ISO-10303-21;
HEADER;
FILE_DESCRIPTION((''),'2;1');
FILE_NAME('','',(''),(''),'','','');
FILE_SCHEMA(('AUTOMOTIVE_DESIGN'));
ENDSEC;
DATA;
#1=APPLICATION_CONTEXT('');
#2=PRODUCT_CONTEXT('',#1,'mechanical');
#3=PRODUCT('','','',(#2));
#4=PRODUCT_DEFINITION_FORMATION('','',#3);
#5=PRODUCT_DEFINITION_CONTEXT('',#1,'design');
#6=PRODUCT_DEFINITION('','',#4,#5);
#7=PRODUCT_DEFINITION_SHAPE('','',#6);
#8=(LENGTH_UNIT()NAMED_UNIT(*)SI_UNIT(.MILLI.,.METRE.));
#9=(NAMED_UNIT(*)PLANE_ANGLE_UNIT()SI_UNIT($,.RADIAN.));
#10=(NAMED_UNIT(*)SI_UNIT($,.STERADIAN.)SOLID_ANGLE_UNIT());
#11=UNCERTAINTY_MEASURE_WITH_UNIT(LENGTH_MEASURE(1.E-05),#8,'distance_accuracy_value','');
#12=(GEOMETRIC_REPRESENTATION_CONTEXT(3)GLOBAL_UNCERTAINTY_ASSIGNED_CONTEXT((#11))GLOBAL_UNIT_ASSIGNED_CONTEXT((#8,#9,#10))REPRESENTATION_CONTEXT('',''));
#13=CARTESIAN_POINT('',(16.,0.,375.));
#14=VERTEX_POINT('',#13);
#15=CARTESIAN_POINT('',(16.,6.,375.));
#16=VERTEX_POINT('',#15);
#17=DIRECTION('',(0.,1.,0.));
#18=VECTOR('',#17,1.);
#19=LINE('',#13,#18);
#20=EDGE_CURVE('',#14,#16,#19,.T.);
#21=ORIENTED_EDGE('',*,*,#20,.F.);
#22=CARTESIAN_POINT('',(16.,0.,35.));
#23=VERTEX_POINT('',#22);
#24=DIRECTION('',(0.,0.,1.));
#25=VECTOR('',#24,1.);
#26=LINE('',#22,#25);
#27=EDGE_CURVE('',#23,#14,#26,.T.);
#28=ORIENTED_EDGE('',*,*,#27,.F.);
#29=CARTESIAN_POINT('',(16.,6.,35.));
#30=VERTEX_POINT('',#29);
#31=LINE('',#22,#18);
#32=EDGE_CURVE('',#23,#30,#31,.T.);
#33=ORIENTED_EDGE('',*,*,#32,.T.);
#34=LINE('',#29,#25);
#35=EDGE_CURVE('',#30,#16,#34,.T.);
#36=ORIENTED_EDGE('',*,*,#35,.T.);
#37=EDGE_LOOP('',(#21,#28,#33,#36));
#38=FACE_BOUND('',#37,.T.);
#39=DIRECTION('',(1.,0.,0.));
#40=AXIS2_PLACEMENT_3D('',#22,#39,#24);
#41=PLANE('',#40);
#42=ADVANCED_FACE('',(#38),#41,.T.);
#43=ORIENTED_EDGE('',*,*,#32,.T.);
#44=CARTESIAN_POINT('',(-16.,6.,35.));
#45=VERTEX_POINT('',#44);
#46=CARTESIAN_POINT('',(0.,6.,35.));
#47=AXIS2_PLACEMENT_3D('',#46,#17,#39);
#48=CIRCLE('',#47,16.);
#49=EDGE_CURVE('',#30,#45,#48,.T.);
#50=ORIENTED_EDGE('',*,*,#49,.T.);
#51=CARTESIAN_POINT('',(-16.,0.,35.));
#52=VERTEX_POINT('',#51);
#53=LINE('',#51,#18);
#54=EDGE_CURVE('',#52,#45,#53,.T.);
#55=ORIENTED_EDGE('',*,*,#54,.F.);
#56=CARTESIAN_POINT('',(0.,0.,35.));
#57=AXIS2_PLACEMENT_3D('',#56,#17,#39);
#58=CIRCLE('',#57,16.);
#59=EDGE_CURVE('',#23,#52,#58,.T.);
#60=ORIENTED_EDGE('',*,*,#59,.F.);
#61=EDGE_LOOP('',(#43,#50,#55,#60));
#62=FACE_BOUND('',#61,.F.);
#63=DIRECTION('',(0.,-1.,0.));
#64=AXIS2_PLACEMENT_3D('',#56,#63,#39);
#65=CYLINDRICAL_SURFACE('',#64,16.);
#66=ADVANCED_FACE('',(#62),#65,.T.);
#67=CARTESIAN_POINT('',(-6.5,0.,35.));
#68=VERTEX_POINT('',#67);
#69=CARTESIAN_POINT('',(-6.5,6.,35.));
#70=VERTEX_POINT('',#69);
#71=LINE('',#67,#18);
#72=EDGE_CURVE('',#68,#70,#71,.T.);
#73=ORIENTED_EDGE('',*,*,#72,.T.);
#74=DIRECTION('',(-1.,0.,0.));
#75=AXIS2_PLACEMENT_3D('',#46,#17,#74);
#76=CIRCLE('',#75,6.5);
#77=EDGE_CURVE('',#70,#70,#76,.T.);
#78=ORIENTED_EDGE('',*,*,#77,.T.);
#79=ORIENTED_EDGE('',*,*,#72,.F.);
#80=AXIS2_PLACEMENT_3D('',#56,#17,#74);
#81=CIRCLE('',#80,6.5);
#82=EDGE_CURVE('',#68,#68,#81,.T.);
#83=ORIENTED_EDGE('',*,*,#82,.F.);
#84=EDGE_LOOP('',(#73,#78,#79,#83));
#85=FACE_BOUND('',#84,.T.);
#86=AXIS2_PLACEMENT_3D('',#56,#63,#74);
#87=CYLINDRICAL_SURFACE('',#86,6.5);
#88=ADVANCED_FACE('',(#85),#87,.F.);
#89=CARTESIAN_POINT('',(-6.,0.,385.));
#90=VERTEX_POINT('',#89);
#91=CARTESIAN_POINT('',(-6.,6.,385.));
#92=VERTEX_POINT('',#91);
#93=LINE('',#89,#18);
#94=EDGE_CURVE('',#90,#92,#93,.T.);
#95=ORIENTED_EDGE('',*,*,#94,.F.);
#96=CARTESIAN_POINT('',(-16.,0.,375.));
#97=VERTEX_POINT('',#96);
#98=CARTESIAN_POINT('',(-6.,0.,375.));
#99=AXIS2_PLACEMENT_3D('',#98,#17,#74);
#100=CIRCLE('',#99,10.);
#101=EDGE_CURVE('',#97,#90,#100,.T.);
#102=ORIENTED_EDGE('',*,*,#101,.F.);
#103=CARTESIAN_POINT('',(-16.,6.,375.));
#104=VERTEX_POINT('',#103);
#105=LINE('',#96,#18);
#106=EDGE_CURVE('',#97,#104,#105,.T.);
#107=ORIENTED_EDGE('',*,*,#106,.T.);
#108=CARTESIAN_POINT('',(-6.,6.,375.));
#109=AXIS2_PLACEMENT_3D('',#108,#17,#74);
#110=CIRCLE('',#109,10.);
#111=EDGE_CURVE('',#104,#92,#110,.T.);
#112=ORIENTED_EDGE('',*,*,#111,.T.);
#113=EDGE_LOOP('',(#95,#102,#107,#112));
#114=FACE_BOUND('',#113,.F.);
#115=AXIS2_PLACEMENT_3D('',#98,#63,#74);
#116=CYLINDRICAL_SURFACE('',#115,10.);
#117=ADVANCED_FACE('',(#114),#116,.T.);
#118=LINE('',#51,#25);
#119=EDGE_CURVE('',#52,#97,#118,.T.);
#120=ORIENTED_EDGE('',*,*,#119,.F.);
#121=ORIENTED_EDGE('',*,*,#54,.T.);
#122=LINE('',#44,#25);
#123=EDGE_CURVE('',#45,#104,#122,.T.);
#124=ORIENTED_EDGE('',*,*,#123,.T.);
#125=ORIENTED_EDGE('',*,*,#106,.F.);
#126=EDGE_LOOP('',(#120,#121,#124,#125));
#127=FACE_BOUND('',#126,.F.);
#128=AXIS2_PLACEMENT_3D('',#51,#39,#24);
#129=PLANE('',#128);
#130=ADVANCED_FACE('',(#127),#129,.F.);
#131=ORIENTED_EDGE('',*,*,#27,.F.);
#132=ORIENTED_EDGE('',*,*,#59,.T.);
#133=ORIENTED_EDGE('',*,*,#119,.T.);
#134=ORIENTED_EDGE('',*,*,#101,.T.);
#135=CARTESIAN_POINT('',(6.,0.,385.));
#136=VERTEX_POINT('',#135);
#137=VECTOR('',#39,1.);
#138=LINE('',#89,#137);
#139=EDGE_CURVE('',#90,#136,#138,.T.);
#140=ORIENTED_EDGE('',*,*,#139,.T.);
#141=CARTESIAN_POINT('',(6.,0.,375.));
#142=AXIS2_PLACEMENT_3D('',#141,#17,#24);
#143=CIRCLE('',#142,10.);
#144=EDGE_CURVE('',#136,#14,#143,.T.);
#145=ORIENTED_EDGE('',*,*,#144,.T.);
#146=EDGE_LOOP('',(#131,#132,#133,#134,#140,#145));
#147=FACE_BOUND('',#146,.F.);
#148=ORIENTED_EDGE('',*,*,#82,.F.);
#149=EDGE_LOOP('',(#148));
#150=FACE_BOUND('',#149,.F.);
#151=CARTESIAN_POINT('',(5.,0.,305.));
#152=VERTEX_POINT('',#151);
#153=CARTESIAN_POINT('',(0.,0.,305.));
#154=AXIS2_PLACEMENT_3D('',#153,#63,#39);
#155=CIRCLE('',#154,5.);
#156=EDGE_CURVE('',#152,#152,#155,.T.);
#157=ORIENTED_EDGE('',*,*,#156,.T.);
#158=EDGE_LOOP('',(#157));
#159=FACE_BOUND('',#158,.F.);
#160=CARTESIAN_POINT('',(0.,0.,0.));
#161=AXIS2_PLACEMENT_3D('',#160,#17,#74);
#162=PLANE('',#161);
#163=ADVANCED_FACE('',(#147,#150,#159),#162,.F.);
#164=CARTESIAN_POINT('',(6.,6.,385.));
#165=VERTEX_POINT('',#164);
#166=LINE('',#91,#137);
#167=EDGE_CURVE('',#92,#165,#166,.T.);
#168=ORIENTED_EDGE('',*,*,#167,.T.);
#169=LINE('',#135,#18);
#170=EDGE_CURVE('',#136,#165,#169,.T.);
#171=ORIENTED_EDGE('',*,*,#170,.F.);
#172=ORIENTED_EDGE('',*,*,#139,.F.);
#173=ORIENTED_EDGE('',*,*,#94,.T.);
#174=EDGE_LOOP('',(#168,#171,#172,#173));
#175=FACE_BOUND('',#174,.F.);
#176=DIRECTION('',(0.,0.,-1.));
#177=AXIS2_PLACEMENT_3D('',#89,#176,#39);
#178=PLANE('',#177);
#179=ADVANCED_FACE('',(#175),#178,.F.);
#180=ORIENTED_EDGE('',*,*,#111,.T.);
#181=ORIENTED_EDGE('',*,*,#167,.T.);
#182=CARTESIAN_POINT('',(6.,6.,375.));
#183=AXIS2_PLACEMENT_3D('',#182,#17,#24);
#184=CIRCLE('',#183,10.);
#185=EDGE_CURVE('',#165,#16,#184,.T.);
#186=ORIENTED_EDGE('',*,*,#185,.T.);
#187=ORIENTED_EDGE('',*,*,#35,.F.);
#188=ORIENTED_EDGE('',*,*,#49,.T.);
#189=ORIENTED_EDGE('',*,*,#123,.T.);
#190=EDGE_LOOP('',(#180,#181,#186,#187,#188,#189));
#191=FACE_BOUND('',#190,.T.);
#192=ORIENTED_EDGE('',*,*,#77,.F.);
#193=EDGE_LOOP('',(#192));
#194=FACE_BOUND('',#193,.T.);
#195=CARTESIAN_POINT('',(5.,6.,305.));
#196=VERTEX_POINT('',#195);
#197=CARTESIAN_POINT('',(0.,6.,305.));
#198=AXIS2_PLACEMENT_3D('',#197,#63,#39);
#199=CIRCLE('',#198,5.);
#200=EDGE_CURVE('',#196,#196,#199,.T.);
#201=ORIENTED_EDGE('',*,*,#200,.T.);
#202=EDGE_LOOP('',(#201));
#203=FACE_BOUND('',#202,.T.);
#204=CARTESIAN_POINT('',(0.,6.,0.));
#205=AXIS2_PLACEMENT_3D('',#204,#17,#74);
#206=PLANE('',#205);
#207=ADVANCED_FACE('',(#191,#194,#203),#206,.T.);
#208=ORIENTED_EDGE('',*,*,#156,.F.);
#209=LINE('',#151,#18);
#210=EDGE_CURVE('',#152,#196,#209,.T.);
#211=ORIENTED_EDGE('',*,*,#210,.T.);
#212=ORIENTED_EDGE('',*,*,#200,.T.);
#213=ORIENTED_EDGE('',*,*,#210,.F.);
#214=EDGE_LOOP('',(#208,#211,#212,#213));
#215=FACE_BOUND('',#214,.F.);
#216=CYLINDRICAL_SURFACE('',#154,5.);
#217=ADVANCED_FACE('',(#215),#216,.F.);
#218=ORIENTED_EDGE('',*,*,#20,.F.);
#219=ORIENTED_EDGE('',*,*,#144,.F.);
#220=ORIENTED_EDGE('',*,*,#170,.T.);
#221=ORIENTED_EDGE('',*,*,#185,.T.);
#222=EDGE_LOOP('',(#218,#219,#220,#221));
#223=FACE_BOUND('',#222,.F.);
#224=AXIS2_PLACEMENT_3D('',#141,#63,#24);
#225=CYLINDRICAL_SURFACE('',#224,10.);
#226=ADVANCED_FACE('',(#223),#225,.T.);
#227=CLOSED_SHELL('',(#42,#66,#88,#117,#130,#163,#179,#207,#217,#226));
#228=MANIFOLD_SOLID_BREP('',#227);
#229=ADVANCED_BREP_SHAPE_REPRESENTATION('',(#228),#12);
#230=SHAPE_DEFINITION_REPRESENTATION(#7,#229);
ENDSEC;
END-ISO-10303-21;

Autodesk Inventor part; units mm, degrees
ref_plane "YZ Plane" through (0, 0, 0) normal (1, 0, 0) x (0, 1, 0)
ref_plane "XZ Plane" through (0, 0, 0) normal (0, 1, 0) x (-1, 0, 0)
ref_plane "XY Plane" through (0, 0, 0) normal (0, 0, 1) x (1, 0, 0)
sketch "Náčrt2" plane through (0, 0, 0) normal (0, 1, 0) x (-1, 0, 0)
  line L0 (11.5, 17.5) -> (-11.5, 17.5) construction
  line L1 (-17.5, 11.5) -> (-17.5, -11.5) construction
  line L2 (-11.5, -17.5) -> (11.5, -17.5) construction
  line L3 (17.5, -11.5) -> (17.5, 11.5) construction
  line L4 (42.5, 36) -> (42.5, -77.5) construction
  line L5 (9, -22.5) -> (-14, -22.5) construction
  line L6 (-20, -28.5) -> (-20, -51.5) construction
  line L7 (-14, -57.5) -> (9, -57.5) construction
  line L8 (15, -51.5) -> (15, -28.5) construction
  arc A0 (15, -28.5) -> (9, -22.5) centre (9, -28.5) ccw construction
  arc A1 (9, -57.5) -> (15, -51.5) centre (9, -51.5) ccw construction
  arc A2 (-20, -51.5) -> (-14, -57.5) centre (-14, -51.5) ccw construction
  arc A3 (-14, -22.5) -> (-20, -28.5) centre (-14, -28.5) ccw construction
  line L9 (-45.6938, -20) -> (9, -20) construction
  arc A4 (17.5, -28.5) -> (9, -20) centre (9, -28.5) ccw construction
  line L10 (17.5, -28.5) -> (17.5, -51.5) construction
  line L11 (17.5, -51.5) -> (15, -51.5) construction
  line L12 (-14, -22.5) -> (-45.6938, -22.5) construction
  line L13 (-45.6938, -22.5) -> (-45.6938, -20) construction
  arc A5 (17.5, 11.5) -> (11.5, 17.5) centre (11.5, 11.5) ccw construction
  arc A6 (11.5, -17.5) -> (17.5, -11.5) centre (11.5, -11.5) ccw construction
  arc A7 (-17.5, -11.5) -> (-11.5, -17.5) centre (-11.5, -11.5) ccw construction
  arc A8 (-11.5, 17.5) -> (-17.5, 11.5) centre (-11.5, 11.5) ccw construction
  line L14 (-11.5, -20) -> (11.5, -20) construction
  line L15 (-20, 73.4113) -> (-20, -11.5) construction
  arc A9 (-20, -11.5) -> (-11.5, -20) centre (-11.5, -11.5) ccw construction
  line L16 (-17.5, 11.5) -> (-17.5, 73.4113) construction
  line L17 (-17.5, 73.4113) -> (-20, 73.4113) construction
  line L18 (11.5, -20) -> (11.5, -17.5) construction
  line L19 (17.5, 17.5) -> (-17.5, 17.5) construction
  line L20 (-17.5, 17.5) -> (-17.5, 52.5) construction
  line L21 (-17.5, 52.5) -> (17.5, 52.5) construction
  line L22 (17.5, 52.5) -> (17.5, 17.5) construction
  circle A10 centre (0, 35) radius 6.5
  arc A11 (0, 51) -> (0, 19) centre (0, 35) ccw construction
  line L23 (0, 51) -> (27.5, 51) construction
  line L24 (0, 19) -> (11.5, 19) construction
  line L25 (27.5, 51) -> (42.5, 36) construction
  arc A12 (17.5, 13) -> (11.5, 19) centre (11.5, 13) ccw construction
  line L26 (17.5, 13) -> (17.5, -51.5) construction
  line L27 (-13.5, -57.5) -> (-13.5, -59.2574) construction
  line L28 (-12.6213, -61.3787) -> (14.1066, -88.1066) construction
  line L29 (24.7132, -92.5) -> (27.5, -92.5) construction
  arc A13 (27.5, -92.5) -> (42.5, -77.5) centre (27.5, -77.5) ccw construction
  arc A14 (14.1066, -88.1066) -> (24.7132, -92.5) centre (24.7132, -77.5) ccw construction
  arc A15 (-13.5, -59.2574) -> (-12.6213, -61.3787) centre (-10.5, -59.2574) ccw construction
  line L30 (17.5, -51.5) -> (17.5, -51.5) construction
  line L31 (6.4677, -58.2408) -> (-10.5, -57.5) construction
  line L32 (-13.5, -57.5) -> (-10.5, -57.5) construction
  line L33 (6.4677, -58.2408) -> (6.5, -57.5) construction
  line L34 (6.5, -57.5) -> (11.5, -57.5) construction
  arc A16 (11.5, -57.5) -> (17.5, -51.5) centre (11.5, -51.5) ccw construction
  arc A17 (-16, 35) -> (16, 35) centre (0, 35) ccw
  line L35 (16, 35) -> (16, 375)
  line L36 (-16, 35) -> (-16, 375)
  line L37 (6, 385) -> (-6, 385)
  arc A18 (16, 375) -> (6, 385) centre (6, 375) ccw
  arc A19 (-6, 385) -> (-16, 375) centre (-6, 375) ccw
  point P0 (0, 0)
  point P1 (17.5, 0)
  point P2 (0, 17.5)
  point P3 (42.5, 51)
  point P4 (17.5, 35)
  point P5 (0, 52.5)
  point P6 (-13.5, -60.5)
  dimension "d34" = 35
  dimension "d35" = 6
  dimension "d36" = 5
  dimension "d37" = 2.5
  dimension "d38" = 2.5
  dimension "d39" = 6
  dimension "d40" = 2.5
  dimension "d43" = 25
  dimension "d46" = 13
  dimension "d47" = 32
  dimension "d48" = 15
  dimension "d49" = 15
  dimension "d50" = 6
  dimension "d51" = 35
  dimension "d55" = 3
  dimension "d56" = 15
  dimension "d57" = 15
  dimension "d58" = 3
  dimension "d60" = 35
  dimension "d61" = 3
  dimension "d62" = 2.5
  dimension "d63" = 35
  dimension "d64" = 45
  dimension "d66" = 31
  dimension "d69" = 6
  dimension "d72" = 2.5
  dimension "d73" = 350
  dimension "d74" = 10
extrude "Vysunutí1" add sketch "Náčrt2" along normal blind 6
sketch "Náčrt5" plane through (0, 0, 0) normal (0, -1, 0) x (1, 0, 0)
  circle A0 centre (0, 35) radius 6.5 projected
  arc A1 (-16, 35) -> (16, 35) centre (0, 35) ccw projected
  line L0 (16, 375) -> (16, 35) projected
  arc A2 (16, 375) -> (6, 385) centre (6, 375) ccw projected
  line L1 (-6, 385) -> (6, 385) projected
  arc A3 (-6, 385) -> (-16, 375) centre (-6, 375) ccw projected
  line L2 (-16, 35) -> (-16, 375) projected
  circle A4 centre (0, 305) radius 5
  point P0 (0, 0)
  point P1 (0, 385)
  dimension "d75" = 10
  dimension "d76" = 80
extrude "Vysunutí3" cut sketch "Náčrt5" against normal blind 10 contours A4
equation "\"d49\" = d48"
equation "\"PoloměrOhybu\" = Tloušťka"
equation "\"ŠířkaVýštipu\" = Tloušťka"
equation "\"HloubkaVýštipu\" = 0.5 * Tloušťka"
equation "\"VelikostRohovéhoVýštipu\" = 4 * Tloušťka"
equation "\"MinimálníZbytek\" = 2 * Tloušťka"
equation "\"PřechodovýPoloměr\" = PoloměrOhybu"
equation "\"VelikostJacobihoPoloměru\" = PoloměrOhybu"
equation "\"VelikostMezery\" = Tloušťka"
equation "\"Tloušťka\" = 6"
properties part number "DD_KVD_002_09" material "Nerezová ocel"
